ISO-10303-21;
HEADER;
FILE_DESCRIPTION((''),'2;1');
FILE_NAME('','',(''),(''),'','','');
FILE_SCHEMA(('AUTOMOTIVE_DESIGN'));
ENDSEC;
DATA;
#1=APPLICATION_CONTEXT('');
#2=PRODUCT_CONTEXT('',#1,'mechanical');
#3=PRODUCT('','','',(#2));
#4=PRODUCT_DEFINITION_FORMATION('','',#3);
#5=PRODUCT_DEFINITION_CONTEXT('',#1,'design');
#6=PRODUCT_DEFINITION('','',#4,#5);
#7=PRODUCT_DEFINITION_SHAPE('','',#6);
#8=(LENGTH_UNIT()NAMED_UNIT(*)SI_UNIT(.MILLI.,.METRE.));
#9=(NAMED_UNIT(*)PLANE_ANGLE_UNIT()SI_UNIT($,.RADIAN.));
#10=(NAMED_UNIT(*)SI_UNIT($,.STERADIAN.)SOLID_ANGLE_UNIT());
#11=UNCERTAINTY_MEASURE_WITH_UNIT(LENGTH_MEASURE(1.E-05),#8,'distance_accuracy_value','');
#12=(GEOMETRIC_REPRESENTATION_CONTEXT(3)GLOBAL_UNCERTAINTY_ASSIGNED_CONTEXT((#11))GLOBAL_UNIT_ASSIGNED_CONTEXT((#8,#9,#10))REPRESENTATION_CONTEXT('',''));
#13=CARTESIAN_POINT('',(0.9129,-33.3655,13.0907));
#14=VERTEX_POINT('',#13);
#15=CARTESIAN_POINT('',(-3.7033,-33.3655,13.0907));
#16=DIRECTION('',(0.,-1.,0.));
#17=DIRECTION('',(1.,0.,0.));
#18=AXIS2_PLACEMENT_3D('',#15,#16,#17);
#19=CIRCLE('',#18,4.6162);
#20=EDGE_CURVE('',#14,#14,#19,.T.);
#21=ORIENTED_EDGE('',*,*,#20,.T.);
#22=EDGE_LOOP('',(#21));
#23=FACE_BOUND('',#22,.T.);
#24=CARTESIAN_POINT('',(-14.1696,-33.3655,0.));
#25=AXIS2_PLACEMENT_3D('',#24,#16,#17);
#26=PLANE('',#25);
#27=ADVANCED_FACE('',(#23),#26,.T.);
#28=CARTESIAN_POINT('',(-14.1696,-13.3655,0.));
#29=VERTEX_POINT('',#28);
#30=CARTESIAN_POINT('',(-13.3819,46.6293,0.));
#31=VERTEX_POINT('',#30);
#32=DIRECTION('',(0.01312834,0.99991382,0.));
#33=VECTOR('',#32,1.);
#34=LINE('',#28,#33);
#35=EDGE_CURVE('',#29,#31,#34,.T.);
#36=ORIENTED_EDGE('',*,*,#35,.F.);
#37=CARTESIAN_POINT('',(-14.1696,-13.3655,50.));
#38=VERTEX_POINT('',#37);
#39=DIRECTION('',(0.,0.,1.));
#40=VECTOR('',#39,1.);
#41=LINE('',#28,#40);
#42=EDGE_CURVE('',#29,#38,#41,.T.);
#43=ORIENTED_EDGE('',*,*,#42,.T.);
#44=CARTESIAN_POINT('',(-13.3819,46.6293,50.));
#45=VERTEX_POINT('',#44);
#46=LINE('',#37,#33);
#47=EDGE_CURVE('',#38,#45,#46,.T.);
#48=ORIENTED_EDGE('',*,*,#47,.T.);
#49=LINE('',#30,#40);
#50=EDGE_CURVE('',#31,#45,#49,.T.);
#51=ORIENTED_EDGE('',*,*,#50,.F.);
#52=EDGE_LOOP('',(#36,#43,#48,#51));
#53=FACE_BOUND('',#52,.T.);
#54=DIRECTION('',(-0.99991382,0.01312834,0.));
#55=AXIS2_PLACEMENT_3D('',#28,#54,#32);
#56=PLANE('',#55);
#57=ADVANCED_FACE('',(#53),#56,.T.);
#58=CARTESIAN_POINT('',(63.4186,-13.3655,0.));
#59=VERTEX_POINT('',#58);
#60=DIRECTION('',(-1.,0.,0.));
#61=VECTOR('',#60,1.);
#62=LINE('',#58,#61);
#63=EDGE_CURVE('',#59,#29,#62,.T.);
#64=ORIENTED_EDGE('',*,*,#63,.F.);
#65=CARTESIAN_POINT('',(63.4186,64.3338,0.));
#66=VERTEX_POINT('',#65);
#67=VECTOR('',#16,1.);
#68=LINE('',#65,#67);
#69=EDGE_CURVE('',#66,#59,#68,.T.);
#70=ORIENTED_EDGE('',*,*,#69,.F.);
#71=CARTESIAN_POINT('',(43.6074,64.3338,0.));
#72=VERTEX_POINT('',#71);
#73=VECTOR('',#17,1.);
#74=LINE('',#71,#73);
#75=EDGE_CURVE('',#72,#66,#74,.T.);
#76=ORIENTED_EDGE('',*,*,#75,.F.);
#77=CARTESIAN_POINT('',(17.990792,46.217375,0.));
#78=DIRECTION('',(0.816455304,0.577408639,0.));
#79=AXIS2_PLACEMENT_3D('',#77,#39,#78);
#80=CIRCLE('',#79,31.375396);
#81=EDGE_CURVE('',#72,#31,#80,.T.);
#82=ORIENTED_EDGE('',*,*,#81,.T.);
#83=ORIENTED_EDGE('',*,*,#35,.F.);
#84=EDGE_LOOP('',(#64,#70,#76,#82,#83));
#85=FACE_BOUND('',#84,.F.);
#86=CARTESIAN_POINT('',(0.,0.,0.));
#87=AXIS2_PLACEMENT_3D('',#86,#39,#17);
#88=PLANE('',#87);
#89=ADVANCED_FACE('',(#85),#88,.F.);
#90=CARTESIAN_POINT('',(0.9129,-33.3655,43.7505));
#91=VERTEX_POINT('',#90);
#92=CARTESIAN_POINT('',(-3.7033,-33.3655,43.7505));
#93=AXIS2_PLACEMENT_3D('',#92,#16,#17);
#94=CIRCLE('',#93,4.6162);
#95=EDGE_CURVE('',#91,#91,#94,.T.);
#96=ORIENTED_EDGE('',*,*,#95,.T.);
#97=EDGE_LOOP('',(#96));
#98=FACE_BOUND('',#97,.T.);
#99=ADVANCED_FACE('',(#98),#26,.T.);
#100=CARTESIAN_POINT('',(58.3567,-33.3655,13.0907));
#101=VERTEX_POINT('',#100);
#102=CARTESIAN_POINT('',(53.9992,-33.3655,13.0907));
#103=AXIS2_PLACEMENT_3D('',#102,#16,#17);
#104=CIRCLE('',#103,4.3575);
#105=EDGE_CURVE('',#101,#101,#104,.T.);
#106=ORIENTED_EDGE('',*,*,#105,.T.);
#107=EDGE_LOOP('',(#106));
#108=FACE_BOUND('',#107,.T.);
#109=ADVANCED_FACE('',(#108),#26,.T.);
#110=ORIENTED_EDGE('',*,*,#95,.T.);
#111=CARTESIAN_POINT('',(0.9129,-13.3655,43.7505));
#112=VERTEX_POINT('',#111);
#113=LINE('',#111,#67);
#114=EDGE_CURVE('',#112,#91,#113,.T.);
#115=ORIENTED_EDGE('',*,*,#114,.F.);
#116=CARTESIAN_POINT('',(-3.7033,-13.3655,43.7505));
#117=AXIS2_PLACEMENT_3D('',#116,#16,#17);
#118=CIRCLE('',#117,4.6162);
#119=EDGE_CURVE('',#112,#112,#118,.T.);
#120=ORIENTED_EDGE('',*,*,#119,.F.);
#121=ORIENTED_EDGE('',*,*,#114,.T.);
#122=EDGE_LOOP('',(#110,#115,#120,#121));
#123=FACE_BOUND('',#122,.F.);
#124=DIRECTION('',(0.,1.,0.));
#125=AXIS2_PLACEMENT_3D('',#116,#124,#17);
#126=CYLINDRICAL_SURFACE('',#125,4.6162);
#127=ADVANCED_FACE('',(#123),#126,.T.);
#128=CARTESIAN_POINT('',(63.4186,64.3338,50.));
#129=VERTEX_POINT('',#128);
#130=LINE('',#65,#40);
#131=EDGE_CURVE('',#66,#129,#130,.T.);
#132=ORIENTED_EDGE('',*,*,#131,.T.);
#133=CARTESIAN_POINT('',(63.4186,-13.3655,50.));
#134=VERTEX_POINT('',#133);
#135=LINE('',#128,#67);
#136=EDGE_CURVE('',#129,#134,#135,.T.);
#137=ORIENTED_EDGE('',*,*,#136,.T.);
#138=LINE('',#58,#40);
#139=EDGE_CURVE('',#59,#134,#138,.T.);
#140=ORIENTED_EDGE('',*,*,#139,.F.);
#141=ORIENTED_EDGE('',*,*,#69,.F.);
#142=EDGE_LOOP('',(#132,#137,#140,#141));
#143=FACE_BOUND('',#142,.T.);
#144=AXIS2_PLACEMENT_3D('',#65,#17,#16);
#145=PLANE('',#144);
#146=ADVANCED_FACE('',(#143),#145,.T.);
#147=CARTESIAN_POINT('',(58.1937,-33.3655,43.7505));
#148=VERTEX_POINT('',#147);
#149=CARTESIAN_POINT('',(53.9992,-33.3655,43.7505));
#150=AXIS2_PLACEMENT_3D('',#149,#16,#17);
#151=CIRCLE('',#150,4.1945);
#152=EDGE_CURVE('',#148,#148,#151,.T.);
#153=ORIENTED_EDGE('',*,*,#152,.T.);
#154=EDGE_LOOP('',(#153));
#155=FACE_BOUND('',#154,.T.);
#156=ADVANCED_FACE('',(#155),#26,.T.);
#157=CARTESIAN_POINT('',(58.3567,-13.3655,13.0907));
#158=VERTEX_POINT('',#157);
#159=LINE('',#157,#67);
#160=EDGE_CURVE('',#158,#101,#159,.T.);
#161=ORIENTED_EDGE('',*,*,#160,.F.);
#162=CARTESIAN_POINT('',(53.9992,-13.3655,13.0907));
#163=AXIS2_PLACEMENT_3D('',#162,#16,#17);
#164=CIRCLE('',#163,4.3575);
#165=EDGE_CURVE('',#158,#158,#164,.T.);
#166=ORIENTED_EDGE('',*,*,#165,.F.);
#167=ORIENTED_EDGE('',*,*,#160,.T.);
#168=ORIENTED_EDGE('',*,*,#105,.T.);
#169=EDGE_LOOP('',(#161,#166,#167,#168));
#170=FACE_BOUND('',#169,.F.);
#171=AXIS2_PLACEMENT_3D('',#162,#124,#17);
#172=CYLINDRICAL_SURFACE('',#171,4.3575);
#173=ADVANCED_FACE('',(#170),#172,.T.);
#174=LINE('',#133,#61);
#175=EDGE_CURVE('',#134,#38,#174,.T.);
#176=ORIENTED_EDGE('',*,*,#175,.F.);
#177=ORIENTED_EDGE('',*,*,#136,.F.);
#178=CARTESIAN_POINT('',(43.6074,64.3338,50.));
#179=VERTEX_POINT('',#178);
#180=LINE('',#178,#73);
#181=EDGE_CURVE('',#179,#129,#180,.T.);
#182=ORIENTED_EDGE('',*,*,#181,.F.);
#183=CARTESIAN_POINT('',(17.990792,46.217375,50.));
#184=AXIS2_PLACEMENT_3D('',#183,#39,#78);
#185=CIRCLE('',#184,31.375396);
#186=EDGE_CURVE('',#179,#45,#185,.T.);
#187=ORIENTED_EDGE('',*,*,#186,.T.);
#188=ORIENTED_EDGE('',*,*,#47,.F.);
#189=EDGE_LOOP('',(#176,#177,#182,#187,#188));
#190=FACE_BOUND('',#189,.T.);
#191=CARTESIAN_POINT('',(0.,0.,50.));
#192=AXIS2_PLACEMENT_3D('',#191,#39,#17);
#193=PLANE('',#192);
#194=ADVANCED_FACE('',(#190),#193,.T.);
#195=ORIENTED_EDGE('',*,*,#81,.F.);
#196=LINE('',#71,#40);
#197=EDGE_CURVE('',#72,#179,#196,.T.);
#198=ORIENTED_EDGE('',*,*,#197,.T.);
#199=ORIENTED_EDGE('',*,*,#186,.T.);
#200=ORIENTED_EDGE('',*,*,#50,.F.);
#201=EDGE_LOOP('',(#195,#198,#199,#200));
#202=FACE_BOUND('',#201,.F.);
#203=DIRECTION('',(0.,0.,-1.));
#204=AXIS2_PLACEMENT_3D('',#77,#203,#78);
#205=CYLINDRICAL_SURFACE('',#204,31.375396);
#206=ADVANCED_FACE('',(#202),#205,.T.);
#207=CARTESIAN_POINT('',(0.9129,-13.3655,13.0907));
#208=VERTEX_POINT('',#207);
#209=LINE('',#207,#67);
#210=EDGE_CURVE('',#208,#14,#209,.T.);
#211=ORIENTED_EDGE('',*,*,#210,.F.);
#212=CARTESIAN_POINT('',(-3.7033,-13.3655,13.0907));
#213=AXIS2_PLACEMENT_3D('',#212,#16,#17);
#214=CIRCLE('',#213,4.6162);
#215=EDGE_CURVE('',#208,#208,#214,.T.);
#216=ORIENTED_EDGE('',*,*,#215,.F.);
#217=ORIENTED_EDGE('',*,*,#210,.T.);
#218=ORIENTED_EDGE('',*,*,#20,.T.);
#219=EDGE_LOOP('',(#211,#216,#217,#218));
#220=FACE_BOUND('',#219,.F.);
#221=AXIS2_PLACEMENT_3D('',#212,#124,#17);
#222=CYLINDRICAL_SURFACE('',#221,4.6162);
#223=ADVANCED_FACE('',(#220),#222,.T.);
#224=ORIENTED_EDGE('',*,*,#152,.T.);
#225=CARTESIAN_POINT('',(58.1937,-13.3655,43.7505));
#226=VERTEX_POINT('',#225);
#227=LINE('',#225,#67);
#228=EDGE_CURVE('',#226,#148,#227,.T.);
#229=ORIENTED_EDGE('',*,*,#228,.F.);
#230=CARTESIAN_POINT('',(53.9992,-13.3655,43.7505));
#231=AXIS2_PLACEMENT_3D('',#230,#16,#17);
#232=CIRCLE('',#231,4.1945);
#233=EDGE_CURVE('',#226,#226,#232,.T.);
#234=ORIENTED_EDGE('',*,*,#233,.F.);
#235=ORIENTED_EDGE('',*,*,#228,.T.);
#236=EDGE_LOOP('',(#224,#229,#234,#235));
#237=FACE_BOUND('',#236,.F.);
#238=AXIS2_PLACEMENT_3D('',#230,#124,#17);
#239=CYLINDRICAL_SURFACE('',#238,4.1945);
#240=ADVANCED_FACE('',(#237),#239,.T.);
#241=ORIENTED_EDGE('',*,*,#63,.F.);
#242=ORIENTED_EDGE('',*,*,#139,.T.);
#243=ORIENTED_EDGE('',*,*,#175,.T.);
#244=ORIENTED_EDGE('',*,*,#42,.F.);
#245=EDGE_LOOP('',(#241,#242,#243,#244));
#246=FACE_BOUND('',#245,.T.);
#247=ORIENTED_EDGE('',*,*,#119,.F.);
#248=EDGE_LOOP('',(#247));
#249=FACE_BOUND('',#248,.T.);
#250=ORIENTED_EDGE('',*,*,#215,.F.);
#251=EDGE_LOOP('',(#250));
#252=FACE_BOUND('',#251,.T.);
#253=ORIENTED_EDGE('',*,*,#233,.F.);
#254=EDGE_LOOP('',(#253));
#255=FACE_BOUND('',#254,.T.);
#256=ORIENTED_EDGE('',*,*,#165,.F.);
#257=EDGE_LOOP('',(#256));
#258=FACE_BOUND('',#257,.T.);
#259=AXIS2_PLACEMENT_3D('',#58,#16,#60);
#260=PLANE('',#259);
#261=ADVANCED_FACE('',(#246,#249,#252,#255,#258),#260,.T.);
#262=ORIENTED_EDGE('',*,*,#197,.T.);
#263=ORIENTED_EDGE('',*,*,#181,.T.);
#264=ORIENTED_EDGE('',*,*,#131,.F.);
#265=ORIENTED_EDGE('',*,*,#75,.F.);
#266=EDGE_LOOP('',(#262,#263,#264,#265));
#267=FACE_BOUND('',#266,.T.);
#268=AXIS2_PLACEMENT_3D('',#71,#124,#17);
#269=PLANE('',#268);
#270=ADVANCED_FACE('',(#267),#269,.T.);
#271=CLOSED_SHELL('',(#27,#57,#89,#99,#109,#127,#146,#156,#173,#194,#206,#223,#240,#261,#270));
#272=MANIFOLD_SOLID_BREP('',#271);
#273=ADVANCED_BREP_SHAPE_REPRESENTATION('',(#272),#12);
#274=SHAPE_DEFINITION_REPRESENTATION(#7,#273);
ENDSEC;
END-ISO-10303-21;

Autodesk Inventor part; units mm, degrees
ref_plane "YZ Plane" through (0, 0, 0) normal (1, 0, 0) x (0, 1, 0)
ref_plane "XZ Plane" through (0, 0, 0) normal (0, 1, 0) x (-1, 0, 0)
ref_plane "XY Plane" through (0, 0, 0) normal (0, 0, 1) x (1, 0, 0)
sketch "Sketch1" plane through (0, 0, 0) normal (0, 0, 1) x (1, 0, 0)
  line L0 (-14.1696, -13.3655) -> (-13.3819, 46.6293)
  line L1 (-13.3819, 46.6293) -> (-13.3819, 46.6293)
  arc A0 (43.6074, 64.3338) -> (-13.3819, 46.6293) centre (17.9908, 46.2174) ccw
  line L2 (43.6074, 64.3338) -> (63.4186, 64.3338)
  line L3 (63.4186, 64.3338) -> (63.4186, -13.3655)
  line L4 (63.4186, -13.3655) -> (-14.1696, -13.3655)
  point P0 (0, 0)
  dimension "d0" = 60
extrude "Extrusion1" add sketch "Sketch1" along normal blind 50
sketch "Sketch2" plane through (-14.1696, -13.3655, 0) normal (0, -1, 0) x (1, 0, 0)
  circle A0 centre (68.1688, 43.7505) radius 4.1945
  circle A1 centre (68.1688, 13.0907) radius 4.3575
  circle A2 centre (10.4663, 43.7505) radius 4.6162
  circle A3 centre (10.4663, 13.0907) radius 4.6162
  point P0 (14.1696, 0)
extrude "Extrusion2" add sketch "Sketch2" along normal blind 20
properties part number "angle"
